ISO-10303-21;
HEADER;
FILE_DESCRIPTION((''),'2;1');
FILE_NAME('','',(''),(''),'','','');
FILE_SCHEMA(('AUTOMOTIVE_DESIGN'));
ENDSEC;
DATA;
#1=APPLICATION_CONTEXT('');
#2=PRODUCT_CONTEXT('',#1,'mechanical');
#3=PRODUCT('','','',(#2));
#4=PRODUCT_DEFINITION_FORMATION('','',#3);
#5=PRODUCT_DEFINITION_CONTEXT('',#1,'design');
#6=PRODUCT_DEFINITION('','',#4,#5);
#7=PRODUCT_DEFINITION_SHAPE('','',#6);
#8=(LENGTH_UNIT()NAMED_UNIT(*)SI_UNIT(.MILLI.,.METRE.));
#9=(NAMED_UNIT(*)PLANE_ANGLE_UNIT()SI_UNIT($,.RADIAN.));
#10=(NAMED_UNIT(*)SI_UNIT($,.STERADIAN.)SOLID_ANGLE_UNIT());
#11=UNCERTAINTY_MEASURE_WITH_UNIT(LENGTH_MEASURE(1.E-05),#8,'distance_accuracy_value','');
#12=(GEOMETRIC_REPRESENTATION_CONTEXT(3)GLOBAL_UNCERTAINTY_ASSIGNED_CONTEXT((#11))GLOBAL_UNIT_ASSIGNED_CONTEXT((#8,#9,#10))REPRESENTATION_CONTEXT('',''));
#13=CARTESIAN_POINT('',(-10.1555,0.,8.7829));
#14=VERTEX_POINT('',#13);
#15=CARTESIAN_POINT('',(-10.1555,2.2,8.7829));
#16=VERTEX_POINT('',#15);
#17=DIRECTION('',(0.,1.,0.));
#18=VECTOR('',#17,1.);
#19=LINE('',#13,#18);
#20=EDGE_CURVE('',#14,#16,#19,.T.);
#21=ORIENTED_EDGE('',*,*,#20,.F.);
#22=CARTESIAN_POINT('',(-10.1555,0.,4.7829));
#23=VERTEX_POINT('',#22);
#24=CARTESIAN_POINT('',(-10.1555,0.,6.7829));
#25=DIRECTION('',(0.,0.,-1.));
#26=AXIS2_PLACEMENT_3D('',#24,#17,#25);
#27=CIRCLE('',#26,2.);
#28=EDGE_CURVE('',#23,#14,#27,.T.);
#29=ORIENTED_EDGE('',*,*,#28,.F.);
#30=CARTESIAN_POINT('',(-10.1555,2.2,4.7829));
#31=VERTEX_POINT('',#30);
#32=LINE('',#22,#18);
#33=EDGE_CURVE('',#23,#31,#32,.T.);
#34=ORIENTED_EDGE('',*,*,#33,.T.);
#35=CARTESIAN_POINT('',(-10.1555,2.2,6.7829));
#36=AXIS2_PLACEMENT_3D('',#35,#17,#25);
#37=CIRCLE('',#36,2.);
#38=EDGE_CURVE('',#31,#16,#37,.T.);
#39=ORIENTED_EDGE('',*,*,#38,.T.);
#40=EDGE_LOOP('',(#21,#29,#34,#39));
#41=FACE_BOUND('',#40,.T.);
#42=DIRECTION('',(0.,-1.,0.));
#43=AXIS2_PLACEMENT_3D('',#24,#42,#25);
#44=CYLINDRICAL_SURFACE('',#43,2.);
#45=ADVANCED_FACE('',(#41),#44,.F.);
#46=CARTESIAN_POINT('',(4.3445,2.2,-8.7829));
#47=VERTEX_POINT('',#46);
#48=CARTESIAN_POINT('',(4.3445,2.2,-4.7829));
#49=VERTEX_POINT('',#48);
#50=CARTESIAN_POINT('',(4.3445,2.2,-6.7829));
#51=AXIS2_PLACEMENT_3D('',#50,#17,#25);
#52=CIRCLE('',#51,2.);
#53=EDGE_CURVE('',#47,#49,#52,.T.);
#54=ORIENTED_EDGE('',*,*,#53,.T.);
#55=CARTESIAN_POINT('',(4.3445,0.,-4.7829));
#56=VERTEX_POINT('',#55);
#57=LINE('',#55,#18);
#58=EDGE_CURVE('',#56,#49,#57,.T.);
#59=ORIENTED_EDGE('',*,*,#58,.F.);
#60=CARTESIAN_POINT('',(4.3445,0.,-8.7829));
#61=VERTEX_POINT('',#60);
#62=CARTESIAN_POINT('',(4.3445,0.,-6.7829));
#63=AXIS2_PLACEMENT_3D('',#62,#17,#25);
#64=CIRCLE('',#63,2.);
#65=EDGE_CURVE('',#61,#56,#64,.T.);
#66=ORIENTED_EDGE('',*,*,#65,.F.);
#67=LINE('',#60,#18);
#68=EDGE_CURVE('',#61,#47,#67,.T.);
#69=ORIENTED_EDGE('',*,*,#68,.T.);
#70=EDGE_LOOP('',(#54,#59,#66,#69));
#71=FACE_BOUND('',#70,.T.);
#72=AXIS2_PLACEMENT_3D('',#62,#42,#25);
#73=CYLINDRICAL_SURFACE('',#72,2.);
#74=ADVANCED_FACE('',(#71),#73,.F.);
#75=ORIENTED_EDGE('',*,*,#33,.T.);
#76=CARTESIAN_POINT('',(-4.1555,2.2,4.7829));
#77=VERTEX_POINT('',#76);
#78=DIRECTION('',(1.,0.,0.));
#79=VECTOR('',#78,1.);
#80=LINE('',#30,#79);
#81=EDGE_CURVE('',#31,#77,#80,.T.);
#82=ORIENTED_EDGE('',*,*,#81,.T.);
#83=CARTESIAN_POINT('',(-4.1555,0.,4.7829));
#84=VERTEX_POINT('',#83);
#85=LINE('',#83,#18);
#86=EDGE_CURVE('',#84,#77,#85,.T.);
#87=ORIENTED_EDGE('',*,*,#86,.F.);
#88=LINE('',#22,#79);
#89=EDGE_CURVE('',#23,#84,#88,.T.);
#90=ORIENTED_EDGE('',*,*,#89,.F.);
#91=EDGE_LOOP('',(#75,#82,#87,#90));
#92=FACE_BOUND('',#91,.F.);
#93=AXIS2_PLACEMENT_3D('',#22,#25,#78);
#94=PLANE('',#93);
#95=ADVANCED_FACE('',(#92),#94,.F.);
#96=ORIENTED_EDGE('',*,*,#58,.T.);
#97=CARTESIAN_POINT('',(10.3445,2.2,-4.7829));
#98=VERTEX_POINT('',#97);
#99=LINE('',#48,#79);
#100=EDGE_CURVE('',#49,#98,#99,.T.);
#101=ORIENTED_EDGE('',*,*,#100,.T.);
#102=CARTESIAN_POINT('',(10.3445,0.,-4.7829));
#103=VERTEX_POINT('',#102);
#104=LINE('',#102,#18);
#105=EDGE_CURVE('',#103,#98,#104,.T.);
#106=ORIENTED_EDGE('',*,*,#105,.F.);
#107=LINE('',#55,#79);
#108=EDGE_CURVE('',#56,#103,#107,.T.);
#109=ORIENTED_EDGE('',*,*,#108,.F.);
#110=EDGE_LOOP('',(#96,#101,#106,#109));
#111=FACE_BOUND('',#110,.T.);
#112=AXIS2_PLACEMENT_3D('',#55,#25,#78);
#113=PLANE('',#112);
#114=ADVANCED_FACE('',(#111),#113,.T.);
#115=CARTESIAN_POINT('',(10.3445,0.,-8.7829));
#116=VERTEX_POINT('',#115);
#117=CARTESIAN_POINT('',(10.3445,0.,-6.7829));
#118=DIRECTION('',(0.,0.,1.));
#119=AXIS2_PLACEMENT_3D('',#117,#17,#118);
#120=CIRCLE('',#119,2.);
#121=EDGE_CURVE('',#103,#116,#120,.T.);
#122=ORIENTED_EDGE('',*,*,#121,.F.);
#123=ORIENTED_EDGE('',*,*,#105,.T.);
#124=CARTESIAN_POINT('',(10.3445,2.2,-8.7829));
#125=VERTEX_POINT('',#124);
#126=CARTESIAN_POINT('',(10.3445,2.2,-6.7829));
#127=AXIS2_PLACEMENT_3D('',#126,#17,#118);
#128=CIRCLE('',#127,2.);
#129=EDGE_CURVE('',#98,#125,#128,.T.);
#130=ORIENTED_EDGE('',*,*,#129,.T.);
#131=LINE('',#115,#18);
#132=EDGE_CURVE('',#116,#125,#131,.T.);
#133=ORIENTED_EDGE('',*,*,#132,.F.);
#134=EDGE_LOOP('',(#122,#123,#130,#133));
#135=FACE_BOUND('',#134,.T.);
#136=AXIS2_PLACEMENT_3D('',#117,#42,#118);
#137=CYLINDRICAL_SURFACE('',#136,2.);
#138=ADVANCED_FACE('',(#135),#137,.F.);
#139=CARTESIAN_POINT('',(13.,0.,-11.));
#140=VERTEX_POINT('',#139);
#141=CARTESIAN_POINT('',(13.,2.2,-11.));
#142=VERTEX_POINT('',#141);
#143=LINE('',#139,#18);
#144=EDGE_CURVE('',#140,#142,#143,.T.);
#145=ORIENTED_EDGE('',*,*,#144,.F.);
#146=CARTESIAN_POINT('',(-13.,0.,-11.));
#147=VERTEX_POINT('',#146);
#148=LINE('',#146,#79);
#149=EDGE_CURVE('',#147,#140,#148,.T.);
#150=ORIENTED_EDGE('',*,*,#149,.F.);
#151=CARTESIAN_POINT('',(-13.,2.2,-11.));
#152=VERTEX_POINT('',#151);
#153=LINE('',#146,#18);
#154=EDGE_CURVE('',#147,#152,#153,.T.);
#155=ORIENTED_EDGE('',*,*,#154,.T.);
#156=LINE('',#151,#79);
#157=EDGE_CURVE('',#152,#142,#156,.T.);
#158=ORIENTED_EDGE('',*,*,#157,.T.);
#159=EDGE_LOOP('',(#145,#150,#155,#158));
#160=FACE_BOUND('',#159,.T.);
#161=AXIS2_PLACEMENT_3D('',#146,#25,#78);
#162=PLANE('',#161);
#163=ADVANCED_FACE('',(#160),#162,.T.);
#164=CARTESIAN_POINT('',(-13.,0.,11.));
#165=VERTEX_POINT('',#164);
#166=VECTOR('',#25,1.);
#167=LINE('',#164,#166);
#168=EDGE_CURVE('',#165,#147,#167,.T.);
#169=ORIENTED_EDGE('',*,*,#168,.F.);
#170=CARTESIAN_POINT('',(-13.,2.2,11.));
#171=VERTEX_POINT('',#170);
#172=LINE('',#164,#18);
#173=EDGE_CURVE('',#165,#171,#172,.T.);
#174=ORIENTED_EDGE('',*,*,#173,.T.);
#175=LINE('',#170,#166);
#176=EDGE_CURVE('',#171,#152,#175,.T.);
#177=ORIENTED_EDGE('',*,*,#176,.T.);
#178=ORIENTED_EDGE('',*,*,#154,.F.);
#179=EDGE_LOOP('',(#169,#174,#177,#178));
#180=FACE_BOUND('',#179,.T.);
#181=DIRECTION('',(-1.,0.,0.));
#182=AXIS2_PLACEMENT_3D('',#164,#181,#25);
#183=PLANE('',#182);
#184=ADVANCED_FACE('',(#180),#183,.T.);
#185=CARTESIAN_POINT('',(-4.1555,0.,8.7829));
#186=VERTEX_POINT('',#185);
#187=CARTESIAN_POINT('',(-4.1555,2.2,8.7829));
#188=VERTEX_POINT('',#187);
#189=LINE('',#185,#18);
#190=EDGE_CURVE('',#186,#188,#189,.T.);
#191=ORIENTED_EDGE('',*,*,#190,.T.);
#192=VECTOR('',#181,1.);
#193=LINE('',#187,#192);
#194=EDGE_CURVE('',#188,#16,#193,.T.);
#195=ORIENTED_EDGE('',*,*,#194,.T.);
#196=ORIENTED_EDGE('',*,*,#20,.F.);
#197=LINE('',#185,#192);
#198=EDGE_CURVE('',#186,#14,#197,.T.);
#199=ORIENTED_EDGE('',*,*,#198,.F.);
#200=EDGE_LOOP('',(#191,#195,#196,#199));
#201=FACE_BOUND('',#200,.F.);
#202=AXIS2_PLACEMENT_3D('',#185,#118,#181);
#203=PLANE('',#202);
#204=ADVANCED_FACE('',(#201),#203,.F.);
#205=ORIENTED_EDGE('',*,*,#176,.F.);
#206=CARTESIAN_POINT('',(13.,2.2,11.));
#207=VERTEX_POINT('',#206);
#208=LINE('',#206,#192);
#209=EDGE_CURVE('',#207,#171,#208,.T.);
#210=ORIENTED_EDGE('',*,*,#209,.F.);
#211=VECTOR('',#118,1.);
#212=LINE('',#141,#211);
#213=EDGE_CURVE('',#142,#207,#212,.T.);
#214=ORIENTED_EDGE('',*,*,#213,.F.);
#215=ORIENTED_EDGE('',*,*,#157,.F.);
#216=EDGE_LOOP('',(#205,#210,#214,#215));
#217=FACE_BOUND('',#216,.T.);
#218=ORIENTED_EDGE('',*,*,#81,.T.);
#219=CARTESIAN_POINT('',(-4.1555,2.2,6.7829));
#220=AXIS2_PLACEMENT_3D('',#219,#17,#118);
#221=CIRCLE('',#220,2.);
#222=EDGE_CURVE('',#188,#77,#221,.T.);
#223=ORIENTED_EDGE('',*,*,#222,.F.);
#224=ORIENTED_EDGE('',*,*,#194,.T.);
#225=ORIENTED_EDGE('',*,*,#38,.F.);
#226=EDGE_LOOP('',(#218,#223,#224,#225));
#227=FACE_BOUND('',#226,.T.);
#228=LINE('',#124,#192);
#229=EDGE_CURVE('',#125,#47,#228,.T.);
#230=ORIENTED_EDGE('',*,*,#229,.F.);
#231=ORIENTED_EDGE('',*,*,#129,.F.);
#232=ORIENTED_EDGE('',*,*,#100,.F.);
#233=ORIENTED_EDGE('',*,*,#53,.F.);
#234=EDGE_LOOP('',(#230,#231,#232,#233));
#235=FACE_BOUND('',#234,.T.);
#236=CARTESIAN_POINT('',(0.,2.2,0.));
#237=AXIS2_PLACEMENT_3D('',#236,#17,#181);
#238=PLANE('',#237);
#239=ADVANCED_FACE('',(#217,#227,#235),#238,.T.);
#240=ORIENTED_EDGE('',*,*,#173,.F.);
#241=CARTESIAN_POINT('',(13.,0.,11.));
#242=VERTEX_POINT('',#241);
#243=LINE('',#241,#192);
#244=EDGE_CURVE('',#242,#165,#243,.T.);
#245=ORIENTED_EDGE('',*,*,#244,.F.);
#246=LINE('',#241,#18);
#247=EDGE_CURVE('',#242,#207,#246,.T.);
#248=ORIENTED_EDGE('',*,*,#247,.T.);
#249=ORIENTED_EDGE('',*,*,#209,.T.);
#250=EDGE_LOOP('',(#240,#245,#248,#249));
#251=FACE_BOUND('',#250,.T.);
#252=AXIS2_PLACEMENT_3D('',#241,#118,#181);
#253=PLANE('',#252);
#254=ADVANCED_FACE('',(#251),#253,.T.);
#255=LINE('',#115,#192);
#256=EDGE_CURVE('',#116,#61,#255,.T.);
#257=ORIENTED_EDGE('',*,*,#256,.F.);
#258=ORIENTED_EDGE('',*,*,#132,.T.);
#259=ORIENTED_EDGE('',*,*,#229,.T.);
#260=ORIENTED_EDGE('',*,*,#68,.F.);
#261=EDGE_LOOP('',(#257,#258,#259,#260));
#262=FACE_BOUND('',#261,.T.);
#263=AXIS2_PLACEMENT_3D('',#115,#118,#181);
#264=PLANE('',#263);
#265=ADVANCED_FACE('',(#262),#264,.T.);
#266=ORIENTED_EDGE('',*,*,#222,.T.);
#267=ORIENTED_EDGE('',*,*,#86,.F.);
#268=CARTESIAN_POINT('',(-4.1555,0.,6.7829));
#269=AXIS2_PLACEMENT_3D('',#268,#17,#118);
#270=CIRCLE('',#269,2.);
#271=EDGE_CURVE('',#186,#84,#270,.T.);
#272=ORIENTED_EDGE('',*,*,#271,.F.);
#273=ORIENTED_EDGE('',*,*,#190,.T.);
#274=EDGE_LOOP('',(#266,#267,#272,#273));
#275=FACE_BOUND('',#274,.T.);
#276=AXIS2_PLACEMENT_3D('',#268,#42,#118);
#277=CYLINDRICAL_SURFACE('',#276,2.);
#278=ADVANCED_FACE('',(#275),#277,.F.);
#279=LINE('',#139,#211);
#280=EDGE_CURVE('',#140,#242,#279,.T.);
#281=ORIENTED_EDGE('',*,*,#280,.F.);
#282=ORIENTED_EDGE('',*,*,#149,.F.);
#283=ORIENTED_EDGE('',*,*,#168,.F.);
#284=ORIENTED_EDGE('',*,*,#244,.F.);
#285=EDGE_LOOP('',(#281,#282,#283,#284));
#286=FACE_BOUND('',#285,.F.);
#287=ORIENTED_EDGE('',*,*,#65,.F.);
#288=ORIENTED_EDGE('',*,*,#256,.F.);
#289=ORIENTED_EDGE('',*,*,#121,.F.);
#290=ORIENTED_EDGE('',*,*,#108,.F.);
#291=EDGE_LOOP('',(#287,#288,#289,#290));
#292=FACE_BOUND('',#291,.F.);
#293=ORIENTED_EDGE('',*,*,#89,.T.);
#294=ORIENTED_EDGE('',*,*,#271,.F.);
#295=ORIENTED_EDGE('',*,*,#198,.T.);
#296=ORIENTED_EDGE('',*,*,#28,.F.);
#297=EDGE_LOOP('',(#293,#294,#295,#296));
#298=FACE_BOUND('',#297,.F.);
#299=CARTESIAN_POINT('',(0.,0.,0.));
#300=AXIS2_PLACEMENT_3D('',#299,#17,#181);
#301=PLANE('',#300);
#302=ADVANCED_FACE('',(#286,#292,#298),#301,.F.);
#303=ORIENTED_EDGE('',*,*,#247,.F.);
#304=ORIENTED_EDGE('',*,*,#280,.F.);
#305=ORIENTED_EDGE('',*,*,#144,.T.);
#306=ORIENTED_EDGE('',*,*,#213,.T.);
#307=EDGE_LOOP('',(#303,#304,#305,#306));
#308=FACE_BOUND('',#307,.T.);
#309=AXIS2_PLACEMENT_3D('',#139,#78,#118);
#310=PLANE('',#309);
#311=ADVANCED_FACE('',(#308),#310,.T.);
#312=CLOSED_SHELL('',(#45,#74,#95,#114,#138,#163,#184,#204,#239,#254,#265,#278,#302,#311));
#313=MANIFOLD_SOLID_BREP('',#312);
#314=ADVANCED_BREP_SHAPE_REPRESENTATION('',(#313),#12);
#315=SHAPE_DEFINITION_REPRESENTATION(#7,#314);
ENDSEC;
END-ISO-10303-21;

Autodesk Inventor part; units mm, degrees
ref_plane "YZ Plane" through (0, 0, 0) normal (1, 0, 0) x (0, 1, 0)
ref_plane "XZ Plane" through (0, 0, 0) normal (0, 1, 0) x (-1, 0, 0)
ref_plane "XY Plane" through (0, 0, 0) normal (0, 0, 1) x (1, 0, 0)
sketch "Sketch1" plane through (0, 0, 0) normal (0, 1, 0) x (-1, 0, 0)
  line L0 (-13, 11) -> (13, 11)
  line L1 (13, 11) -> (13, -11)
  line L2 (13, -11) -> (-13, -11)
  line L3 (-13, -11) -> (-13, 11)
  line L4 (-13, 11) -> (13, -11) construction
  line L5 (-4.3445, -6.7829) -> (-10.3445, -6.7829) construction
  line L6 (-4.3445, -4.7829) -> (-10.3445, -4.7829)
  line L7 (-10.3445, -8.7829) -> (-4.3445, -8.7829)
  arc A0 (-4.3445, -8.7829) -> (-4.3445, -4.7829) centre (-4.3445, -6.7829) ccw
  arc A1 (-10.3445, -4.7829) -> (-10.3445, -8.7829) centre (-10.3445, -6.7829) ccw
  line L8 (0, 0) -> (1.6306, 0)
  line L9 (0, 0) -> (1.2871, 0)
  line L10 (10.1555, 6.7829) -> (4.1555, 6.7829) construction
  line L11 (10.1555, 4.7829) -> (4.1555, 4.7829)
  line L12 (4.1555, 8.7829) -> (10.1555, 8.7829)
  arc A2 (10.1555, 4.7829) -> (10.1555, 8.7829) centre (10.1555, 6.7829) ccw
  arc A3 (4.1555, 8.7829) -> (4.1555, 4.7829) centre (4.1555, 6.7829) ccw
  point P0 (-7.3445, -6.7829)
  point P1 (7.1555, 6.7829)
  dimension "d0" = 26
  dimension "d1" = 22
  dimension "d5" = 6
  dimension "d6" = 4
  dimension "d19" = 6
  dimension "d20" = 4
  dimension "d21" = 14.5
extrude "Extrusion1" add sketch "Sketch1" along normal blind 2.2
ref_plane "Work Plane1" through (-13, 0, 0) normal (0, 0, 1) x (1, 0, 0)
properties part number "riser1.7mm"
